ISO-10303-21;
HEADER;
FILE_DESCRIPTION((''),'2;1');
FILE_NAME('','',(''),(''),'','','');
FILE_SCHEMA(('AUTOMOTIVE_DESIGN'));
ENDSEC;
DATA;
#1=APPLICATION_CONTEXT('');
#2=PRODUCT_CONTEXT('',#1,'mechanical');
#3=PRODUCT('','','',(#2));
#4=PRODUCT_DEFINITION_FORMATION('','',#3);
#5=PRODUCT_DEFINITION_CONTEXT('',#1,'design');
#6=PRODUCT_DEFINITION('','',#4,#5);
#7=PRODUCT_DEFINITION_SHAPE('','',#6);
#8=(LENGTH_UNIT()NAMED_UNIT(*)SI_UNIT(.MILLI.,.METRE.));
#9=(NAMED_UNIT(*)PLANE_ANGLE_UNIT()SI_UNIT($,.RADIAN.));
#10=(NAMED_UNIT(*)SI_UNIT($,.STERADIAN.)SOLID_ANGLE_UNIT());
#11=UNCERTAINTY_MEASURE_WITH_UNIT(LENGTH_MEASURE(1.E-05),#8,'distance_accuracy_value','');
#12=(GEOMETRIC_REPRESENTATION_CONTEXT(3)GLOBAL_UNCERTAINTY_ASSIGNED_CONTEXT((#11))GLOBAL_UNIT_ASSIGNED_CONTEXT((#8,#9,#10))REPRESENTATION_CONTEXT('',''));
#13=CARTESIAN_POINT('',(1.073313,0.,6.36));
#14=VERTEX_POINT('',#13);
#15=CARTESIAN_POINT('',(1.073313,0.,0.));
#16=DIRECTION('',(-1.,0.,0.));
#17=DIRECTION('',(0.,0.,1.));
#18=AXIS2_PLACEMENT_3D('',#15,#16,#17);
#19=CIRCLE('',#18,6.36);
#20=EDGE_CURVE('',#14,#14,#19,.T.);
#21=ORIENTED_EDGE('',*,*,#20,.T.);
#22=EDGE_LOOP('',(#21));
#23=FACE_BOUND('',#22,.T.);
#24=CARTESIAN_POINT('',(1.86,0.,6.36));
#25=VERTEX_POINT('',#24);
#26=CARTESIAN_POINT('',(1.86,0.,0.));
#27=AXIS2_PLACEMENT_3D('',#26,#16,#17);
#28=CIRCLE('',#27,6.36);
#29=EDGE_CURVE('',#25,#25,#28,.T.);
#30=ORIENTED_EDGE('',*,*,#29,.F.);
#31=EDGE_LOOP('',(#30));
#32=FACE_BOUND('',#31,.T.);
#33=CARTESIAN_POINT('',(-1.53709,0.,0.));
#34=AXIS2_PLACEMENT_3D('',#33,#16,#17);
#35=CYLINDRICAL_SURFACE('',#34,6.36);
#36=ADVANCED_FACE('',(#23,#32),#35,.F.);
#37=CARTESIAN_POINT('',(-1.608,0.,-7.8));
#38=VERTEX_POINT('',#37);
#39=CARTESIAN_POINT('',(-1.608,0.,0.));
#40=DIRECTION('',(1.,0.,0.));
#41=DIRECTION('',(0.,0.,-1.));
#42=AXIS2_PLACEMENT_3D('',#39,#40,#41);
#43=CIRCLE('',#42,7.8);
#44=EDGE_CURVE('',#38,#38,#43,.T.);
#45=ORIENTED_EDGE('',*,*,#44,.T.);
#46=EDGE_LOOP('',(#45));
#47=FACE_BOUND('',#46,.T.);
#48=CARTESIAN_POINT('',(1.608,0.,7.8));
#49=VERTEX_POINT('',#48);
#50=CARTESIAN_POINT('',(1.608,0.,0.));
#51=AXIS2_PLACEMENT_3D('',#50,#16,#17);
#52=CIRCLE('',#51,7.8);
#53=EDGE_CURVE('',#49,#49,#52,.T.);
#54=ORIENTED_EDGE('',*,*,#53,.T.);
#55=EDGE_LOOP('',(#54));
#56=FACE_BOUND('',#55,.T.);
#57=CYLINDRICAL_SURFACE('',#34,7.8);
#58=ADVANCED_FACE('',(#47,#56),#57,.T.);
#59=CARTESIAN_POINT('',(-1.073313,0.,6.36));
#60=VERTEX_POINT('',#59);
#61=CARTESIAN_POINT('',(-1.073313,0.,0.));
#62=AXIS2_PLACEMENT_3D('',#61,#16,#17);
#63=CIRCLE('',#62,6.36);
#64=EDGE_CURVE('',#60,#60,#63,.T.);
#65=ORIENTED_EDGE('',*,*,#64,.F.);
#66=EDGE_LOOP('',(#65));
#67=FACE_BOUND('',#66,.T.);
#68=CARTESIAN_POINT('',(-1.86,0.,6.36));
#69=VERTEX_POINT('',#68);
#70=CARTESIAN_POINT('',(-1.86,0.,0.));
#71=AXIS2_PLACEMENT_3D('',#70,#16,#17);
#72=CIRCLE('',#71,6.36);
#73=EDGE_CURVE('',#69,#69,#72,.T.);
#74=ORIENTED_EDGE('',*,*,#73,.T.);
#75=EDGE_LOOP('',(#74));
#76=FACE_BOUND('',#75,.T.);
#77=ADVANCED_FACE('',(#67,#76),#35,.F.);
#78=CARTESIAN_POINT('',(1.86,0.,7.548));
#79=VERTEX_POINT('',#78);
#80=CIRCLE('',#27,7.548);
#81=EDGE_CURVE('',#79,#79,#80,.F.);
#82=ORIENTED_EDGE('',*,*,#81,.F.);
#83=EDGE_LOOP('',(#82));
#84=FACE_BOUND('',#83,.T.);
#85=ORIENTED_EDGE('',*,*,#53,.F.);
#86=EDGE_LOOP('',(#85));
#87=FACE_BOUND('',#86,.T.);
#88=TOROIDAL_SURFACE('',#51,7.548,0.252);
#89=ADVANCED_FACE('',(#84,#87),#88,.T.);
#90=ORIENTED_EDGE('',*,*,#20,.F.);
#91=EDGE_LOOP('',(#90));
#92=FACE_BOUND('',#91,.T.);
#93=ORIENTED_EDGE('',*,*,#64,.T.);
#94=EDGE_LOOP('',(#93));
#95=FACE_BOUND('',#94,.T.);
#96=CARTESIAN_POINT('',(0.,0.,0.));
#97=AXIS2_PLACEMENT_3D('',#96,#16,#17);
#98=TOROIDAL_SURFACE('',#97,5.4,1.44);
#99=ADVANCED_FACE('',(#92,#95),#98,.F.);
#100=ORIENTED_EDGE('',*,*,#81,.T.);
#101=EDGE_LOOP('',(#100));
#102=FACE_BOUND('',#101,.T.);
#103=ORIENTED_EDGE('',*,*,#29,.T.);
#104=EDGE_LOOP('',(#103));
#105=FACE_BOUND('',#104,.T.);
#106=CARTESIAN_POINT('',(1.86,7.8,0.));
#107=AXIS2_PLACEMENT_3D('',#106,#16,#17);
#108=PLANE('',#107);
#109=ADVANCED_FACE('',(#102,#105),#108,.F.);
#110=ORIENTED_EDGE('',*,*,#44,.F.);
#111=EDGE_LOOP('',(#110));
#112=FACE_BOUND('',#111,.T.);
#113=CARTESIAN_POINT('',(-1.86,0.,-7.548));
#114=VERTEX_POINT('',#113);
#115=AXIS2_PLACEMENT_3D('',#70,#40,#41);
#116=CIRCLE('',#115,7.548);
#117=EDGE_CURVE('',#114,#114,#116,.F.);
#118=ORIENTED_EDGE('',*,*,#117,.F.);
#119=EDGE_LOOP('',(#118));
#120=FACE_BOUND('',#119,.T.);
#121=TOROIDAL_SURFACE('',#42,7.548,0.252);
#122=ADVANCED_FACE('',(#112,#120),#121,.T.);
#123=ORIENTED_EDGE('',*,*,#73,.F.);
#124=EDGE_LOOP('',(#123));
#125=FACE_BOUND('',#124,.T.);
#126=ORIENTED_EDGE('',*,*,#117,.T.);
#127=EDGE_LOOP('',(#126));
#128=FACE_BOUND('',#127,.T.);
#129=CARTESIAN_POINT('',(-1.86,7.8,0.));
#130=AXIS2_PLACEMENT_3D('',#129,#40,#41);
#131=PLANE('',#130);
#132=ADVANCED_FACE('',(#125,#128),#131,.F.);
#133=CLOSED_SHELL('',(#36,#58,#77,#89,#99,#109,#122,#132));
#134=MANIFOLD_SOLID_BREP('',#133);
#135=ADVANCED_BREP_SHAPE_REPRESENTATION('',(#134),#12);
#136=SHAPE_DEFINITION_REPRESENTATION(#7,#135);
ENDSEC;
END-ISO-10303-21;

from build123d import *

# Parameters (mm, degrees)
FILLET1_R    = 2.1
SCALE1_SCALE = 1.2
SCALE2_SCALE = 0.1


with BuildPart() as part:
    # Sketch1 → Revolve1 (revolve)
    with BuildSketch(Plane.XY):
        with BuildLine():
            Line((-15.5, 65), (15.5, 65))
            Line((15.5, 65), (15.5, 53))
            Line((15.5, 53), (8.94427191, 53))
            ThreePointArc((8.94427191, 53), (0, 57), (-8.94427191, 53))
            Line((-8.94427191, 53), (-15.5, 53))
            Line((-15.5, 53), (-15.5, 65))
        make_face()
    revolve(axis=Axis((-12.809085422, 0, 0), (1, 0, 0)))

    # Fillet1
    fillet1_edges = [part.edges().sort_by_distance(p)[0] for p in [
        (15.5, -65, 0),
        (-15.5, -65, 0),
    ]]
    fillet(fillet1_edges, radius=FILLET1_R)


with BuildPart() as part_1:
    # Scale1: scaled about (0, 0, 0)
    add(part.part.scale(SCALE1_SCALE))


with BuildPart() as part_2:
    # Scale2: scaled about (0, 0, 0)
    add(part_1.part.scale(SCALE2_SCALE))


solid = part_2.part
